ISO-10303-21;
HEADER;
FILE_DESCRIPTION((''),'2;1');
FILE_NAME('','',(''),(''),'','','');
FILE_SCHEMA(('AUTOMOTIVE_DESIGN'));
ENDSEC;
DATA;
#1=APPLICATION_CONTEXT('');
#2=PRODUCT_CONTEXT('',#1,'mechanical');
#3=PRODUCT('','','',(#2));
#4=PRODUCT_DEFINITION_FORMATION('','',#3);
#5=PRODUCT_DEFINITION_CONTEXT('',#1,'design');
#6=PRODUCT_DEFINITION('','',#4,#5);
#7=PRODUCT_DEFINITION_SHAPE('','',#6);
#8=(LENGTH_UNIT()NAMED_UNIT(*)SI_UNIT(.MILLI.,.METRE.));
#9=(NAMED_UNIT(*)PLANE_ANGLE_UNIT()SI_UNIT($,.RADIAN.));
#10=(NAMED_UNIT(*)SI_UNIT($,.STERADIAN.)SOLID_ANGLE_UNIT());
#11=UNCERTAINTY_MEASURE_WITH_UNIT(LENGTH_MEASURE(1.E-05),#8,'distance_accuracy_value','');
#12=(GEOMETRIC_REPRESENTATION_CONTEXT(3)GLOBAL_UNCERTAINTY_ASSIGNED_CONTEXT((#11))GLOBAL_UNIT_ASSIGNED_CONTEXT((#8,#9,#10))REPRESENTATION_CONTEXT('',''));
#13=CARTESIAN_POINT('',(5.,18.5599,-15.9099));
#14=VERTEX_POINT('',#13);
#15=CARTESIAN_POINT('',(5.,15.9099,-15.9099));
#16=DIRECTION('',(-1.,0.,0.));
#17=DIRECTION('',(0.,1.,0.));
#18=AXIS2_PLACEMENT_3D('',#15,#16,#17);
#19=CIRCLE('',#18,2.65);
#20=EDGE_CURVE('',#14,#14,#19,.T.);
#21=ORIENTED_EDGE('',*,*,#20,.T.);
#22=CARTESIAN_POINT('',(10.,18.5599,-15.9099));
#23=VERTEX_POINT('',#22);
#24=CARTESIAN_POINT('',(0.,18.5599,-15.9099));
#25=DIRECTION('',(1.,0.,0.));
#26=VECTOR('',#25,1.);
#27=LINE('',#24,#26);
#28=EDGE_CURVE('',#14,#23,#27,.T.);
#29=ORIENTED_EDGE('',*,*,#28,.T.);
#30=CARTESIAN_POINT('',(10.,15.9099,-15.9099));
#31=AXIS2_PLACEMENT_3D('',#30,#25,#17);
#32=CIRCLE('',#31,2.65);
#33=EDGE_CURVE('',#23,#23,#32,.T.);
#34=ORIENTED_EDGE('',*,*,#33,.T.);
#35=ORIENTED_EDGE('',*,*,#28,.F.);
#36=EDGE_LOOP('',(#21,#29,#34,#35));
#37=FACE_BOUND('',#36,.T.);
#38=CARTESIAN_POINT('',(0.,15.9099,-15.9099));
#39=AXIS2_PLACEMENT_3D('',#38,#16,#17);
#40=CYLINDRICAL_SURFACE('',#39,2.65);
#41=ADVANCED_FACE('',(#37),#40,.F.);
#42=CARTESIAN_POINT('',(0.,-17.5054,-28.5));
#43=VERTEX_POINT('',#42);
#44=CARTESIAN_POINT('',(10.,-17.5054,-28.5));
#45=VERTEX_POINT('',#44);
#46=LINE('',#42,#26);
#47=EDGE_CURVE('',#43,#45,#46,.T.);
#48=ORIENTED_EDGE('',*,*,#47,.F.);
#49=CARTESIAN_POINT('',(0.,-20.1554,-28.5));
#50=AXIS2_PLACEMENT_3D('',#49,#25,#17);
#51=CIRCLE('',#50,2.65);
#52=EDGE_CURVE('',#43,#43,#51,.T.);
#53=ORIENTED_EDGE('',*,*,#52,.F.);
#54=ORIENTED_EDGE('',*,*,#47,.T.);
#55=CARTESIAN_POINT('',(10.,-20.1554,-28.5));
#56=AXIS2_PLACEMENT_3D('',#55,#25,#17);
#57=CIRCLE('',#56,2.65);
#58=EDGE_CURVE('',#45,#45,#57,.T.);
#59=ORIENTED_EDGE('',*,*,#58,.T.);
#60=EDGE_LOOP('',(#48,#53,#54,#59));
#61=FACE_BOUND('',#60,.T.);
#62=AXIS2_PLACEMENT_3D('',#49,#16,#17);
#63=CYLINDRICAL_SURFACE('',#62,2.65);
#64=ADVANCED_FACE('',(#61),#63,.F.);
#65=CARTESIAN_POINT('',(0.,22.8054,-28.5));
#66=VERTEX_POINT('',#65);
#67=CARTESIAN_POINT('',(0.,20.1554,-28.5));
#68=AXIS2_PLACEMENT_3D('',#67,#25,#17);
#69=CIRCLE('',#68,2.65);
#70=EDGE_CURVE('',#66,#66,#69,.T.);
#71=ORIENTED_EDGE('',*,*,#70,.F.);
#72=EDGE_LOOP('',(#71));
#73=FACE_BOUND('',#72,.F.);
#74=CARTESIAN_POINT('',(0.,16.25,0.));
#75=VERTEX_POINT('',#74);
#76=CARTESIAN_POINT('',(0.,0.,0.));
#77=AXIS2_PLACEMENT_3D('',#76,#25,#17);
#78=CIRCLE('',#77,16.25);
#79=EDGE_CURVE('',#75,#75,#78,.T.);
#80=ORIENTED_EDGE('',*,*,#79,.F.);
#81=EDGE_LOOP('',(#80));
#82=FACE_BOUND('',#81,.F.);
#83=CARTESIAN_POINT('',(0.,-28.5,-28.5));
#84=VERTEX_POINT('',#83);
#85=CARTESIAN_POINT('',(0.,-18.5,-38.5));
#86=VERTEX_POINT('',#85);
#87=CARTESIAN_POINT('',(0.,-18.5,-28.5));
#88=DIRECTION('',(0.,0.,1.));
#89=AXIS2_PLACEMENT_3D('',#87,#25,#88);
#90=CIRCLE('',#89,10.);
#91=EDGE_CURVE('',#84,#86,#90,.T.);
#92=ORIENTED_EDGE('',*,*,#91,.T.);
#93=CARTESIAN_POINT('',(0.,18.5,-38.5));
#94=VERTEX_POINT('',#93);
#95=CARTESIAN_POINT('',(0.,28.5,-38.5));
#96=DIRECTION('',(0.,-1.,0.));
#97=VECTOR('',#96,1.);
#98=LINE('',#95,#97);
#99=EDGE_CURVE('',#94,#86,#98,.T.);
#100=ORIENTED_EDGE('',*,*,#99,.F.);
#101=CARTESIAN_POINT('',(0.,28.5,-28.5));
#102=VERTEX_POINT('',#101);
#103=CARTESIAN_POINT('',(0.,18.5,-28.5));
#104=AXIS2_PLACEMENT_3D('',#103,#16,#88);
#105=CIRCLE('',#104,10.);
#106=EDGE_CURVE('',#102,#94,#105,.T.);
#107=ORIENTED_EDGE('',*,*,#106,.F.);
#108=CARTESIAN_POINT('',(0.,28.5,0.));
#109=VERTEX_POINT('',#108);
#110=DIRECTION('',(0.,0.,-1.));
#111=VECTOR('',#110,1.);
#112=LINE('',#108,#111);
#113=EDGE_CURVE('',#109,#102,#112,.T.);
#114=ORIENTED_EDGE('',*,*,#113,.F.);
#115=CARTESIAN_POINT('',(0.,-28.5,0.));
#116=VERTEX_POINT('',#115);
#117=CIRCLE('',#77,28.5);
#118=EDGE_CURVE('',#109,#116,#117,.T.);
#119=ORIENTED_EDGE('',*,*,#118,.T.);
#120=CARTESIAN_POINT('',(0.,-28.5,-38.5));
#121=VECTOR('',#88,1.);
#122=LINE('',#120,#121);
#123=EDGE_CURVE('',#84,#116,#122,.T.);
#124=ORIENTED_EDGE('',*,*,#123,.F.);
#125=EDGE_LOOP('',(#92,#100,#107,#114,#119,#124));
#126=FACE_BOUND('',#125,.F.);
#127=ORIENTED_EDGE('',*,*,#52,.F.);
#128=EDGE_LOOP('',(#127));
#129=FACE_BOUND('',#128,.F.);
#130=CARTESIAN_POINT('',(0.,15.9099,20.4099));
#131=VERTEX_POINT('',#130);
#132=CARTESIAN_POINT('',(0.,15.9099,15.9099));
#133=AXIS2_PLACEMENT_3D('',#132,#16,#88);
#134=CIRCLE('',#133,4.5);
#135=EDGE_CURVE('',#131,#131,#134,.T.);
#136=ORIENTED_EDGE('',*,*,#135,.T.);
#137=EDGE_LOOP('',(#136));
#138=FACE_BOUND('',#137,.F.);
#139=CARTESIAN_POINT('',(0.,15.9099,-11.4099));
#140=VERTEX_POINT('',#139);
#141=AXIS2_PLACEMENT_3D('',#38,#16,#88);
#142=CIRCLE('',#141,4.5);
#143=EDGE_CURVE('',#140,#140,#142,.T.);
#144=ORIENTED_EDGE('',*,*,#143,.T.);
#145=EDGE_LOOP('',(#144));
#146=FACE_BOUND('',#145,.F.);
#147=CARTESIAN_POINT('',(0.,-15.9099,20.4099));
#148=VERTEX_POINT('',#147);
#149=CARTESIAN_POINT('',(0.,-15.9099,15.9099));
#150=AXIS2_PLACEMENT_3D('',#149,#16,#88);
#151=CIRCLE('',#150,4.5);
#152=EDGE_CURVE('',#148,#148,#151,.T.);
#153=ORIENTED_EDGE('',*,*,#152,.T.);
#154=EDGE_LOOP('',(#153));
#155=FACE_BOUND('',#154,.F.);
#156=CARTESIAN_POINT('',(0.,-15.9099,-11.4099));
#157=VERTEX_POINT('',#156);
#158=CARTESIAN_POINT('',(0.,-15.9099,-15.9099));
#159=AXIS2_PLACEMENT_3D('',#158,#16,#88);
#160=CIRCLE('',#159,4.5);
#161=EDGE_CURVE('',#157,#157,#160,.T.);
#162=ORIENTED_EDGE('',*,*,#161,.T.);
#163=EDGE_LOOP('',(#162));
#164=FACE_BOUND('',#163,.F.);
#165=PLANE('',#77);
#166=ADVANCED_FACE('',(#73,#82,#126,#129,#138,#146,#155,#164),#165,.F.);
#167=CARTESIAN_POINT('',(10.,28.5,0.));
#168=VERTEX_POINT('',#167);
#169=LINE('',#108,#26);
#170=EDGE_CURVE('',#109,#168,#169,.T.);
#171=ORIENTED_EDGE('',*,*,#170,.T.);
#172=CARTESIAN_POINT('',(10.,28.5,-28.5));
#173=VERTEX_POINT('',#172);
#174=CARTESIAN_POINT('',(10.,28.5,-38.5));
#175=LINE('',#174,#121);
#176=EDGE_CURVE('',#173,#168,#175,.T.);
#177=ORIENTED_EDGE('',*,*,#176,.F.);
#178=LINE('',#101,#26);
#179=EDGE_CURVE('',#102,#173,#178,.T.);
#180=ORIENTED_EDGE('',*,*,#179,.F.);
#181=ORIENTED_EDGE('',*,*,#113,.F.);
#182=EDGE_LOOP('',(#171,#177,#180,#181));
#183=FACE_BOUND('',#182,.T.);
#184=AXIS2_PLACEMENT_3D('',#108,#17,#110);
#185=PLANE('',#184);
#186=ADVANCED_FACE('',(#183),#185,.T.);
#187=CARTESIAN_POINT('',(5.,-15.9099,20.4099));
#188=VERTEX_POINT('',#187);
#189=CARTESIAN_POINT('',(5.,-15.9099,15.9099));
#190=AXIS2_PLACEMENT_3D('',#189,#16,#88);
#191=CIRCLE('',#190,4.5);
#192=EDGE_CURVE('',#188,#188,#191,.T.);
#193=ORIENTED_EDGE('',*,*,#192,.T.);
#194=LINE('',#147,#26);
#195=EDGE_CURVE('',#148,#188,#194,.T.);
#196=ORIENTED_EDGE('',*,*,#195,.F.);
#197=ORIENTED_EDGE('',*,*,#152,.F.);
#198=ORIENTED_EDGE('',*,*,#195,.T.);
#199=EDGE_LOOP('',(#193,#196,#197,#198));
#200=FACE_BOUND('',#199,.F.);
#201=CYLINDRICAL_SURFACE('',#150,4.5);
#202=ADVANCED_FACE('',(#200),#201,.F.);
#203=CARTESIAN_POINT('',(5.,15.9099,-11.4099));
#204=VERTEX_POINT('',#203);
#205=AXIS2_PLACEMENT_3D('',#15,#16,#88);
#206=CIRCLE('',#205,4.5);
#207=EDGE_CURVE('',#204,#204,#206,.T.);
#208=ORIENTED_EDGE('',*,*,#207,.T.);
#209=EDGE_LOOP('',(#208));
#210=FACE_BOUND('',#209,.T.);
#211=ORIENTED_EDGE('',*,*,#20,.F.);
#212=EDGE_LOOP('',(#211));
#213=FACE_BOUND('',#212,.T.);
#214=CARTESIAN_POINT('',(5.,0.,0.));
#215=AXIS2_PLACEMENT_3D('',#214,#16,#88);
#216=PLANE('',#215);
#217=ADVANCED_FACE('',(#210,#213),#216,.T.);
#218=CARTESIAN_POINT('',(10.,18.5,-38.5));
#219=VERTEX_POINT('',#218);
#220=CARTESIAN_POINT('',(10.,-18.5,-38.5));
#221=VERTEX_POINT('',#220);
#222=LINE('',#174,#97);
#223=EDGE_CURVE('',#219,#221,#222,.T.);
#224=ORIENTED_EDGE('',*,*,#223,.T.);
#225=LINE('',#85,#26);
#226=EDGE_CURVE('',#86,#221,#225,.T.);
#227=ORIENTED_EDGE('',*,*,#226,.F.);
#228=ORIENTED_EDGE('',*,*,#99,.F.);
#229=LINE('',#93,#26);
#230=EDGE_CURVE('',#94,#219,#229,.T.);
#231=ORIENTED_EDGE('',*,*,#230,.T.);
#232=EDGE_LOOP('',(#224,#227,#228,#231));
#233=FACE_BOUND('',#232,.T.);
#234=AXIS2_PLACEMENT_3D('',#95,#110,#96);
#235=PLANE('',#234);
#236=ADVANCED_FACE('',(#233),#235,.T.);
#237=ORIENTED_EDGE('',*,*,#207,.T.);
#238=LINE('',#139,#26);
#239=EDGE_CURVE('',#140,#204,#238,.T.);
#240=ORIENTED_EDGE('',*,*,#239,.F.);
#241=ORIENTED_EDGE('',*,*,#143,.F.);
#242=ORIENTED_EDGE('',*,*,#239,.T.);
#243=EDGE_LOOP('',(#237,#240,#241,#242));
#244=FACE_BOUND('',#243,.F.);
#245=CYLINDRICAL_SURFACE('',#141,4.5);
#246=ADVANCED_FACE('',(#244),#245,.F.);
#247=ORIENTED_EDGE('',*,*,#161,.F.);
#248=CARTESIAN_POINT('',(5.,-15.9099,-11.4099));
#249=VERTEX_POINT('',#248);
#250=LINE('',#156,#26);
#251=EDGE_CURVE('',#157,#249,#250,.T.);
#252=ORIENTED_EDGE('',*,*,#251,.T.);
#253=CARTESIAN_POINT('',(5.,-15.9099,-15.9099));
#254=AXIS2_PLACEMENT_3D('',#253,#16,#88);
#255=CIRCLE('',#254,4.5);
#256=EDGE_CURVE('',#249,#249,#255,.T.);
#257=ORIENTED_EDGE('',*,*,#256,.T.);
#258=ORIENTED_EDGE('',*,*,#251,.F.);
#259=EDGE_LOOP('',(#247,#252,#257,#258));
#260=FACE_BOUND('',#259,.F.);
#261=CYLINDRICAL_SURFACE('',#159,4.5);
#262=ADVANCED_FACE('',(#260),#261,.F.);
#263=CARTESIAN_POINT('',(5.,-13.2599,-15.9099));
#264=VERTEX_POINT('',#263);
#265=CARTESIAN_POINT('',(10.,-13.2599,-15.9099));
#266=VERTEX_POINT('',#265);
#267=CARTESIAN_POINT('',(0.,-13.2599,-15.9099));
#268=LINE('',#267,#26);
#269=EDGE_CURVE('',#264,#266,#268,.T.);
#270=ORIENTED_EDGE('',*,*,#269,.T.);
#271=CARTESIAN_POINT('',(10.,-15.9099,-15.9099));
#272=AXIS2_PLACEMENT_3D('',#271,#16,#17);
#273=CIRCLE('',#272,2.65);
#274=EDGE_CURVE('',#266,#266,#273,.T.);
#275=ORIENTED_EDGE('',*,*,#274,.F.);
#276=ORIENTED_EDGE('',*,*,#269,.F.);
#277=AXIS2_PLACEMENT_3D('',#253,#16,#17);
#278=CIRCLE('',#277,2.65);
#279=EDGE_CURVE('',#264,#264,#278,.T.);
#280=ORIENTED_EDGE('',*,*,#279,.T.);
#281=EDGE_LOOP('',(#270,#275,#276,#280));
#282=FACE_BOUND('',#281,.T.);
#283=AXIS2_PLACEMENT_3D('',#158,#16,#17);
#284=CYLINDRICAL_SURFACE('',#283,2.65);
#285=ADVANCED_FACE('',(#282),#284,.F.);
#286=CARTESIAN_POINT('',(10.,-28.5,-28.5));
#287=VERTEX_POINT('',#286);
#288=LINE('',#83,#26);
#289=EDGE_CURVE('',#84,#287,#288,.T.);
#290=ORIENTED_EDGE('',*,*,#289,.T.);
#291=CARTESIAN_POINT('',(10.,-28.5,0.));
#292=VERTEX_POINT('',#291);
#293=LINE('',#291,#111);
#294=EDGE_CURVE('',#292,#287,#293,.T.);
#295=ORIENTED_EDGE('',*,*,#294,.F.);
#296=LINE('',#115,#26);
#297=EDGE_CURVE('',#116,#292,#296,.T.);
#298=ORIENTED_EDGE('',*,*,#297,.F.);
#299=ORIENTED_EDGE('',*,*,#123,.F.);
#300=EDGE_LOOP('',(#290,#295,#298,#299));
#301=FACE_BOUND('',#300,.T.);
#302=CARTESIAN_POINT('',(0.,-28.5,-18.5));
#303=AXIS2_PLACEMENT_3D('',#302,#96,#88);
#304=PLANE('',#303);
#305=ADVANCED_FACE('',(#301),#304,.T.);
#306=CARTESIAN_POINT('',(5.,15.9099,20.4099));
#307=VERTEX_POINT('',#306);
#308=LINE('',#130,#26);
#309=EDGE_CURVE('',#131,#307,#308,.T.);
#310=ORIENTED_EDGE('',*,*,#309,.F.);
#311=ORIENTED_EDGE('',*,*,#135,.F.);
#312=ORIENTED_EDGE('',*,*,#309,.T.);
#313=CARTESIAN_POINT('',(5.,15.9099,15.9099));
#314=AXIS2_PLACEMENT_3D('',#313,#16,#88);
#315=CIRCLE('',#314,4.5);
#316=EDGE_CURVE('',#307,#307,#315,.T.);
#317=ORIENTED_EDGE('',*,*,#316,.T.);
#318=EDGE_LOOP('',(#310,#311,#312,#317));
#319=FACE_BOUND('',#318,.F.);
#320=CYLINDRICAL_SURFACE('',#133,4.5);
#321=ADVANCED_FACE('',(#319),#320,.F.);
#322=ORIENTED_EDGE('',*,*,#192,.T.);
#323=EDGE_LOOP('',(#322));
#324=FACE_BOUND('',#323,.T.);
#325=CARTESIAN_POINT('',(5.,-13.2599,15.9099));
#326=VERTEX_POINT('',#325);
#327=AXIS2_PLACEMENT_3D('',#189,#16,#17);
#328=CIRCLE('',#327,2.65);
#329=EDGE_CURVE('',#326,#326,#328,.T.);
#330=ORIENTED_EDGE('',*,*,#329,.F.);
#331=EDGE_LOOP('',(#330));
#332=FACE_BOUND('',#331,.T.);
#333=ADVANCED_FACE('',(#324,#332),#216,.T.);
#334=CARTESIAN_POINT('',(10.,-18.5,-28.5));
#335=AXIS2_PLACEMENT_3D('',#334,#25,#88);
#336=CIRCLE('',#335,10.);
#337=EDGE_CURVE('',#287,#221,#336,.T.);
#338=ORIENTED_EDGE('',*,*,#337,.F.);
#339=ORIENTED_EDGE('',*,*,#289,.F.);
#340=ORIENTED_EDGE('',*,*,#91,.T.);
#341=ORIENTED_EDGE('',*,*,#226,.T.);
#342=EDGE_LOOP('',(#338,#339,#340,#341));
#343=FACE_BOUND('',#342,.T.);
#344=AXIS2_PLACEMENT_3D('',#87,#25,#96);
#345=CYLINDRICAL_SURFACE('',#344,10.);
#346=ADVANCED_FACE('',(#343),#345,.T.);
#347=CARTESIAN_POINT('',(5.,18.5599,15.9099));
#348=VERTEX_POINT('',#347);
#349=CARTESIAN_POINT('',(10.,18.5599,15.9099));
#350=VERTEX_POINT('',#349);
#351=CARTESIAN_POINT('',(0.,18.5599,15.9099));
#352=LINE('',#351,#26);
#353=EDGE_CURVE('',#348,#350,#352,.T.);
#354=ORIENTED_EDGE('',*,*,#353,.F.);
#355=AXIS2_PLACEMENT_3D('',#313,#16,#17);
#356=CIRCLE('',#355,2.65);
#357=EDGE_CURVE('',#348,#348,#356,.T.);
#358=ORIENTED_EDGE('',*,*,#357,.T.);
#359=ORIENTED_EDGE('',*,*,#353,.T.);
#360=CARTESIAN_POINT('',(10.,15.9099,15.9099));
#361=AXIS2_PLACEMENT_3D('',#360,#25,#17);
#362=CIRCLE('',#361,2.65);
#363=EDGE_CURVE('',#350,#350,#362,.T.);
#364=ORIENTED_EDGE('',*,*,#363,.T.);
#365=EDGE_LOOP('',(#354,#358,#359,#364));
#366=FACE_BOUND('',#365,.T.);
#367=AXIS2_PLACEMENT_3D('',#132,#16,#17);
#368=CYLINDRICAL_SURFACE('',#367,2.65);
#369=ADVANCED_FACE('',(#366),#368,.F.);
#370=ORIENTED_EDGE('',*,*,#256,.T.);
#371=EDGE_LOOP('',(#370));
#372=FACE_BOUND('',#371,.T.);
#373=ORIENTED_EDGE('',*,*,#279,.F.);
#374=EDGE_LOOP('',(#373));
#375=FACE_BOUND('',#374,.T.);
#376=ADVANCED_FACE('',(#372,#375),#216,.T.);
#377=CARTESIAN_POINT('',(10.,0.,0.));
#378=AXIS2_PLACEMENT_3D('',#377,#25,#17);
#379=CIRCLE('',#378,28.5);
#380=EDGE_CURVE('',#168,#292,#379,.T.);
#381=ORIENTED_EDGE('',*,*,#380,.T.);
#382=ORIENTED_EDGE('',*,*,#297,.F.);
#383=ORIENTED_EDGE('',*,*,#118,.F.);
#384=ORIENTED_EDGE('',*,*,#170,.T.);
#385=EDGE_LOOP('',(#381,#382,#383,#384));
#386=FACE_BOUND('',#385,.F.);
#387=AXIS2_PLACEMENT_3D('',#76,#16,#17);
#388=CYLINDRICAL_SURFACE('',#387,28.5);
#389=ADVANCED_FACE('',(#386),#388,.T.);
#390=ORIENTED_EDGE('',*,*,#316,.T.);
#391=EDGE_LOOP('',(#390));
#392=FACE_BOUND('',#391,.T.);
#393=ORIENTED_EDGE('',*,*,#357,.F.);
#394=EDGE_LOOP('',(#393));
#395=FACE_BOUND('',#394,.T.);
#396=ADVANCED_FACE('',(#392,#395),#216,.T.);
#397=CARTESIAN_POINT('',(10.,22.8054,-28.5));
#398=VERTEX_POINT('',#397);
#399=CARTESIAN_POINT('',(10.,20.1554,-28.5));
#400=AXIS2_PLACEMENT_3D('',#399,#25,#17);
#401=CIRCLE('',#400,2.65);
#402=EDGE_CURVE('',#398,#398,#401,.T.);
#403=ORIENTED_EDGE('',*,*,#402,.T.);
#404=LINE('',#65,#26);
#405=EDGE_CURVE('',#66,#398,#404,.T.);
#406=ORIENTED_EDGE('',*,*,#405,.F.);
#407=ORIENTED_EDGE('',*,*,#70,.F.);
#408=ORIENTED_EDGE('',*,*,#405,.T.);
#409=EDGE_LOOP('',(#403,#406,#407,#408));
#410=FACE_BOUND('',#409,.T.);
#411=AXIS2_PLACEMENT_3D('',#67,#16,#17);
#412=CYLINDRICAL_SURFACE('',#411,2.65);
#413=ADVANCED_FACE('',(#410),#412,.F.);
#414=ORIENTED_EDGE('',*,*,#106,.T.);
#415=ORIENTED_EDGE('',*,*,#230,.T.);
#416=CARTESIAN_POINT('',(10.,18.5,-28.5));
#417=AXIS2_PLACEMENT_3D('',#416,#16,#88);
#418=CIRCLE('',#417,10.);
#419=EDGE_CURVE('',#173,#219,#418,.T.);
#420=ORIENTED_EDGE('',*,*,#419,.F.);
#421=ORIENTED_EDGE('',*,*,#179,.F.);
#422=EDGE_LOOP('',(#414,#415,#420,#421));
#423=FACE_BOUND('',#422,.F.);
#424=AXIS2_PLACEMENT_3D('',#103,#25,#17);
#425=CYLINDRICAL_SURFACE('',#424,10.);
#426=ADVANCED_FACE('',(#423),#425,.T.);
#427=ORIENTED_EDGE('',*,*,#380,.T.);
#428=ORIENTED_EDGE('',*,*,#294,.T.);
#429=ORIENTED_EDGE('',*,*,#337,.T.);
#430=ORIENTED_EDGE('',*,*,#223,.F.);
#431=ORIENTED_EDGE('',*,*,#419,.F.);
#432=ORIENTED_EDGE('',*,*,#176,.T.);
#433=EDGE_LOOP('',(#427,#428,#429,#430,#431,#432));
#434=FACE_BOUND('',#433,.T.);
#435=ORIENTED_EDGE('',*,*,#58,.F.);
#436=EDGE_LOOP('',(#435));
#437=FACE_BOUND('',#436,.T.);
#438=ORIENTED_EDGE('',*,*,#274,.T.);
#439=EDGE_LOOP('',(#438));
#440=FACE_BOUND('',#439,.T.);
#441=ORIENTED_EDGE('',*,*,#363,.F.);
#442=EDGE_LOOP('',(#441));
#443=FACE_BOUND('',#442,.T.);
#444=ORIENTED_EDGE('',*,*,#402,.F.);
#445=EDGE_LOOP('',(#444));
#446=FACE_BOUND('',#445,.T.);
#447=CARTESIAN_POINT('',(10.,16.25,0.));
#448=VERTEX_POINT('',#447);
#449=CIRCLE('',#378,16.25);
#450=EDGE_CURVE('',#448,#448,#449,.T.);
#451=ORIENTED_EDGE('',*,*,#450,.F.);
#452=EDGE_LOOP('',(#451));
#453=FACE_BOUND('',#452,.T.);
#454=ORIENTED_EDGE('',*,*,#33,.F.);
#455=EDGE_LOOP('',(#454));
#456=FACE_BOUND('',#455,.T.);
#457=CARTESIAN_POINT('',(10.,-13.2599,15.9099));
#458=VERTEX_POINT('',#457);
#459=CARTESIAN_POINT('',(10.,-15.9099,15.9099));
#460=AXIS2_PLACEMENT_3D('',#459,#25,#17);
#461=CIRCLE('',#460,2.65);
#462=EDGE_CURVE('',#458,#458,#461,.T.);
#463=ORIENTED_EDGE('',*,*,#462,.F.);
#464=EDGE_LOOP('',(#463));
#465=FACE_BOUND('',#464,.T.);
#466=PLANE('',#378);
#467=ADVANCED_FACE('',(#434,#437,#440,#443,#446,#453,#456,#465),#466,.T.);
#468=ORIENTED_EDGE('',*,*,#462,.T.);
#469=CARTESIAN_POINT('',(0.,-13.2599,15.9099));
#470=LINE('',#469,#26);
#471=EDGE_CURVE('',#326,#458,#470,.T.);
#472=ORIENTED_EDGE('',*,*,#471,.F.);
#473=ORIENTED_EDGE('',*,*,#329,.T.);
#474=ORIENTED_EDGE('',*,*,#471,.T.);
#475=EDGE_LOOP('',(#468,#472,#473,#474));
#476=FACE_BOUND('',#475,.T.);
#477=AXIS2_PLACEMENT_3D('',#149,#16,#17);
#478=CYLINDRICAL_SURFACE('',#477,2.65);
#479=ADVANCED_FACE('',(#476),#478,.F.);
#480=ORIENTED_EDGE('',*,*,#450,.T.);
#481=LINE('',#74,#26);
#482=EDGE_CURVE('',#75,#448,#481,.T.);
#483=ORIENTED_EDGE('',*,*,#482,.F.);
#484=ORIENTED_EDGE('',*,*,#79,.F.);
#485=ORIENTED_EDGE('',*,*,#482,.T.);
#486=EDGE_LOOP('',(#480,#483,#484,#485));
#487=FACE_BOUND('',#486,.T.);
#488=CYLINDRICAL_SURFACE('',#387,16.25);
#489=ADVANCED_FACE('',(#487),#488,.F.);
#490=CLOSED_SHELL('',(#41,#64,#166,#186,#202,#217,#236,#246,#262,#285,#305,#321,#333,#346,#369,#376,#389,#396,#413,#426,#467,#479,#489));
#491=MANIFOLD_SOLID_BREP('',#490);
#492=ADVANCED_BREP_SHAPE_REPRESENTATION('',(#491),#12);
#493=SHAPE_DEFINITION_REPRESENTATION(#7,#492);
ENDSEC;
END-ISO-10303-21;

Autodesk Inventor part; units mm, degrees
ref_plane "YZ Plane" through (0, 0, 0) normal (1, 0, 0) x (0, 1, 0)
ref_plane "XZ Plane" through (0, 0, 0) normal (0, 1, 0) x (-1, 0, 0)
ref_plane "XY Plane" through (0, 0, 0) normal (0, 0, 1) x (1, 0, 0)
sketch "Sketch1" plane through (0, 0, 0) normal (1, 0, 0) x (0, 1, 0)
  circle A0 centre (0, 0) radius 22.5 construction
  circle A1 centre (0, 0) radius 16.25
  circle A2 centre (0, 0) radius 28.5
  circle A3 centre (15.9099, 15.9099) radius 2.65
  line L0 (15.9099, 15.9099) -> (0, 0) construction
  circle A4 centre (-15.9099, 15.9099) radius 2.65
  circle A5 centre (-15.9099, -15.9099) radius 2.65
  circle A6 centre (15.9099, -15.9099) radius 2.65
  line L1 (28.5, 0) -> (28.5, -38.5)
  line L2 (28.5, -38.5) -> (-28.5, -38.5)
  line L3 (-28.5, -38.5) -> (-28.5, 0)
  line L4 (28.5, -18.5) -> (-28.5, -18.5)
  line L5 (-28.5, -28.5) -> (-20.1554, -28.5) construction
  line L6 (-20.1554, -28.5) -> (-11.8108, -28.5) construction
  line L7 (20.1554, -28.5) -> (28.5, -28.5) construction
  circle A7 centre (20.1554, -28.5) radius 2.65
  circle A8 centre (-20.1554, -28.5) radius 2.65
  line L8 (0, 0) -> (0, 13.3225) construction
  line L9 (-28.5, -28.5) -> (-20.1554, -28.5) construction
  line L10 (20.1554, -28.5) -> (16.456, -23.2691) construction
  point P0 (-17.3108, 22.6404)
  point P1 (-26.3306, -10.9065)
  point P2 (28.5, 0)
  dimension "d0" = 45
  dimension "d1" = 32.5
  dimension "d2" = 57
  dimension "d3" = 5.3
  dimension "d6" = 360
  dimension "d12" = 20
  dimension "d22" = 5.3
  dimension "d23" = 10
  dimension "d24" = 45
  dimension "d27" = 10
  dimension "d28" = 8.3446
extrude "Extrusion1" add sketch "Sketch1" along normal blind 10 contours A2 L4 A6 A5 | L1 L4 A2 | A2 L4 L3 | L4 L1 L2 L3 A2 | A2 L4 A5 A6
fillet "Fillet1" radius 10 4 edges at (5, 28.5, -38.5) (5, -28.5, -38.5) (5, -28.5, 0) (5, 28.5, 0)
sketch "Sketch2" plane through (0, 0, 0) normal (-1, 0, 0) x (0, 0, 1)
  arc A0 (-38.5, -18.5) -> (-28.5, -28.5) centre (-28.5, -18.5) ccw projected
  line L0 (0, -28.5) -> (-28.5, -28.5) projected
  arc A1 (0, -28.5) -> (0, 28.5) centre (0, 0) ccw projected
  line L1 (-28.5, 28.5) -> (0, 28.5) projected
  arc A2 (-28.5, 28.5) -> (-38.5, 18.5) centre (-28.5, 18.5) ccw projected
  line L2 (-38.5, -18.5) -> (-38.5, 18.5) projected
  circle A3 centre (-28.5, 20.1554) radius 2.65 projected
  circle A4 centre (-28.5, -20.1554) radius 2.65 projected
  circle A5 centre (-15.9099, 15.9099) radius 2.65 projected
  circle A6 centre (-15.9099, -15.9099) radius 2.65 projected
  circle A7 centre (15.9099, -15.9099) radius 2.65 projected
  circle A8 centre (15.9099, 15.9099) radius 2.65 projected
  circle A9 centre (0, 0) radius 16.25 projected
  circle A10 centre (-15.9099, 15.9099) radius 2.65 projected
  circle A11 centre (-15.9099, 15.9099) radius 4.5
  circle A12 centre (-15.9099, -15.9099) radius 2.65 projected
  circle A13 centre (-15.9099, -15.9099) radius 4.5
  circle A14 centre (15.9099, -15.9099) radius 2.65 projected
  circle A15 centre (15.9099, -15.9099) radius 4.5
  circle A16 centre (15.9099, 15.9099) radius 2.65 projected
  circle A17 centre (15.9099, 15.9099) radius 4.5
  dimension "d29" = 9
  dimension "d30" = 9
  dimension "d31" = 9
  dimension "d32" = 9
extrude "Extrusion2" cut sketch "Sketch2" against normal blind 5 contours A5 | A6 | A7 | A8 | A11 | A13 | A15 | A17
properties part number "Soporte motor"
